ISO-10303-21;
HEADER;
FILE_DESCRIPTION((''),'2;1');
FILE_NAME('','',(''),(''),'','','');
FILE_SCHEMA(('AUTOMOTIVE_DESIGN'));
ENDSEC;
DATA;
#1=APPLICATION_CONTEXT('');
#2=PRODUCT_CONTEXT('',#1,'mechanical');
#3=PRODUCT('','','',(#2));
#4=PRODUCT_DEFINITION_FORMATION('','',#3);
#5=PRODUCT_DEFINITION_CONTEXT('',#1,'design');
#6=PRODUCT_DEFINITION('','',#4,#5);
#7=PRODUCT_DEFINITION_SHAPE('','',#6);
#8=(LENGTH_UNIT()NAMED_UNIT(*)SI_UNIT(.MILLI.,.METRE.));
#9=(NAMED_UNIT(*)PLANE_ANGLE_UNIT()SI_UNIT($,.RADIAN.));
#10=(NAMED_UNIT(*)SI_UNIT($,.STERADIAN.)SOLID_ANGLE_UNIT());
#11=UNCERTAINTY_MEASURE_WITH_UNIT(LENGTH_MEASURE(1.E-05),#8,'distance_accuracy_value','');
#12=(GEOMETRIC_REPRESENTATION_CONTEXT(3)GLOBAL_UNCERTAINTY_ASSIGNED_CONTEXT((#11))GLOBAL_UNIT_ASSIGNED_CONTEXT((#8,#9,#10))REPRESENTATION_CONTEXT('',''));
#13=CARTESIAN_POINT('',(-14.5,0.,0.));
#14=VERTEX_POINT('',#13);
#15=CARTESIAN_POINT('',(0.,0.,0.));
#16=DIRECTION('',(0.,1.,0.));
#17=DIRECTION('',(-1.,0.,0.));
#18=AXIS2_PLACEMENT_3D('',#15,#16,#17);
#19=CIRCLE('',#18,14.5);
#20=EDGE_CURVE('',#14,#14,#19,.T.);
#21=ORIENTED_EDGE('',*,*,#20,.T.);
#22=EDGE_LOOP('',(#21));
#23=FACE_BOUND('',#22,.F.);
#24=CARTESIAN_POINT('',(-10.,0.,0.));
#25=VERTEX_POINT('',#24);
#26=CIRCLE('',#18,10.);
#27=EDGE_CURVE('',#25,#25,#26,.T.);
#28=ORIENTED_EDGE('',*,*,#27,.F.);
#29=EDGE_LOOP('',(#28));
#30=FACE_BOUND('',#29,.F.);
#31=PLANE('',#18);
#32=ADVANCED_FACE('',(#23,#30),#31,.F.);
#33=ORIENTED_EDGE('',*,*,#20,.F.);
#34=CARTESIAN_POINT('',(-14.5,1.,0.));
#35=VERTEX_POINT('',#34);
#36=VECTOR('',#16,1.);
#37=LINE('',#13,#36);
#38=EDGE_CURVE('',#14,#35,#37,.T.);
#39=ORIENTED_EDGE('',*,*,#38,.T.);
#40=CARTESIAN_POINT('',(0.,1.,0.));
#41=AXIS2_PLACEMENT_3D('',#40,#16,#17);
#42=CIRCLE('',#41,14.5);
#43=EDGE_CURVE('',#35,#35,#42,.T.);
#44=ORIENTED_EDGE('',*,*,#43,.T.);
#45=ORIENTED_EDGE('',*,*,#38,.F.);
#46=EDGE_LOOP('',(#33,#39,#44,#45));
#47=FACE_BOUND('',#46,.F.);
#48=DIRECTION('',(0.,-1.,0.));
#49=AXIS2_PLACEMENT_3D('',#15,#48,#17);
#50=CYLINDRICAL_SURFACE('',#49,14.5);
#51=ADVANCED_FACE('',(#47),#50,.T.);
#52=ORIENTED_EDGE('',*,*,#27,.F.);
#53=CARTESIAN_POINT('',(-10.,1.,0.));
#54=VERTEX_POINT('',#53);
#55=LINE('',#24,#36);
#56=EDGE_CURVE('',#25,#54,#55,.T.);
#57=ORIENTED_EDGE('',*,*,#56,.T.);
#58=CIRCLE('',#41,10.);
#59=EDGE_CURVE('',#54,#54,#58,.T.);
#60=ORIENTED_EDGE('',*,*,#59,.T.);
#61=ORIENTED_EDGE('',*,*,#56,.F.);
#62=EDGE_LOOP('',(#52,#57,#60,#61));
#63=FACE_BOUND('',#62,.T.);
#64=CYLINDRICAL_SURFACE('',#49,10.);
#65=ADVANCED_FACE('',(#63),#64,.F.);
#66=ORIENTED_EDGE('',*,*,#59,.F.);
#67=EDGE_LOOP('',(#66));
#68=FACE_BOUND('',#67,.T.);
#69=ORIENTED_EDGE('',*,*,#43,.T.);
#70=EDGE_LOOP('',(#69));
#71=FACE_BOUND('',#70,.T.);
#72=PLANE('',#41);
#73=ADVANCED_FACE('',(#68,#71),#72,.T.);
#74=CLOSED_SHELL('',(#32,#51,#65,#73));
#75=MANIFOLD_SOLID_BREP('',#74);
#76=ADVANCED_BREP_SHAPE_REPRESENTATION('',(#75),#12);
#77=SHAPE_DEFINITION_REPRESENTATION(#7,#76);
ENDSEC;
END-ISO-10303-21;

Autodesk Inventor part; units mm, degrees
ref_plane "YZ Plane" through (0, 0, 0) normal (1, 0, 0) x (0, 1, 0)
ref_plane "XZ Plane" through (0, 0, 0) normal (0, 1, 0) x (-1, 0, 0)
ref_plane "XY Plane" through (0, 0, 0) normal (0, 0, 1) x (1, 0, 0)
sketch "Sketch1" plane through (0, 0, 0) normal (0, 1, 0) x (-1, 0, 0)
  circle A0 centre (0, 0) radius 10
  circle A1 centre (0, 0) radius 14.5
  dimension "d0" = 20
  dimension "d1" = 29
extrude "Extrusion1" add sketch "Sketch1" along normal blind 1
properties part number "ARRUELA"
